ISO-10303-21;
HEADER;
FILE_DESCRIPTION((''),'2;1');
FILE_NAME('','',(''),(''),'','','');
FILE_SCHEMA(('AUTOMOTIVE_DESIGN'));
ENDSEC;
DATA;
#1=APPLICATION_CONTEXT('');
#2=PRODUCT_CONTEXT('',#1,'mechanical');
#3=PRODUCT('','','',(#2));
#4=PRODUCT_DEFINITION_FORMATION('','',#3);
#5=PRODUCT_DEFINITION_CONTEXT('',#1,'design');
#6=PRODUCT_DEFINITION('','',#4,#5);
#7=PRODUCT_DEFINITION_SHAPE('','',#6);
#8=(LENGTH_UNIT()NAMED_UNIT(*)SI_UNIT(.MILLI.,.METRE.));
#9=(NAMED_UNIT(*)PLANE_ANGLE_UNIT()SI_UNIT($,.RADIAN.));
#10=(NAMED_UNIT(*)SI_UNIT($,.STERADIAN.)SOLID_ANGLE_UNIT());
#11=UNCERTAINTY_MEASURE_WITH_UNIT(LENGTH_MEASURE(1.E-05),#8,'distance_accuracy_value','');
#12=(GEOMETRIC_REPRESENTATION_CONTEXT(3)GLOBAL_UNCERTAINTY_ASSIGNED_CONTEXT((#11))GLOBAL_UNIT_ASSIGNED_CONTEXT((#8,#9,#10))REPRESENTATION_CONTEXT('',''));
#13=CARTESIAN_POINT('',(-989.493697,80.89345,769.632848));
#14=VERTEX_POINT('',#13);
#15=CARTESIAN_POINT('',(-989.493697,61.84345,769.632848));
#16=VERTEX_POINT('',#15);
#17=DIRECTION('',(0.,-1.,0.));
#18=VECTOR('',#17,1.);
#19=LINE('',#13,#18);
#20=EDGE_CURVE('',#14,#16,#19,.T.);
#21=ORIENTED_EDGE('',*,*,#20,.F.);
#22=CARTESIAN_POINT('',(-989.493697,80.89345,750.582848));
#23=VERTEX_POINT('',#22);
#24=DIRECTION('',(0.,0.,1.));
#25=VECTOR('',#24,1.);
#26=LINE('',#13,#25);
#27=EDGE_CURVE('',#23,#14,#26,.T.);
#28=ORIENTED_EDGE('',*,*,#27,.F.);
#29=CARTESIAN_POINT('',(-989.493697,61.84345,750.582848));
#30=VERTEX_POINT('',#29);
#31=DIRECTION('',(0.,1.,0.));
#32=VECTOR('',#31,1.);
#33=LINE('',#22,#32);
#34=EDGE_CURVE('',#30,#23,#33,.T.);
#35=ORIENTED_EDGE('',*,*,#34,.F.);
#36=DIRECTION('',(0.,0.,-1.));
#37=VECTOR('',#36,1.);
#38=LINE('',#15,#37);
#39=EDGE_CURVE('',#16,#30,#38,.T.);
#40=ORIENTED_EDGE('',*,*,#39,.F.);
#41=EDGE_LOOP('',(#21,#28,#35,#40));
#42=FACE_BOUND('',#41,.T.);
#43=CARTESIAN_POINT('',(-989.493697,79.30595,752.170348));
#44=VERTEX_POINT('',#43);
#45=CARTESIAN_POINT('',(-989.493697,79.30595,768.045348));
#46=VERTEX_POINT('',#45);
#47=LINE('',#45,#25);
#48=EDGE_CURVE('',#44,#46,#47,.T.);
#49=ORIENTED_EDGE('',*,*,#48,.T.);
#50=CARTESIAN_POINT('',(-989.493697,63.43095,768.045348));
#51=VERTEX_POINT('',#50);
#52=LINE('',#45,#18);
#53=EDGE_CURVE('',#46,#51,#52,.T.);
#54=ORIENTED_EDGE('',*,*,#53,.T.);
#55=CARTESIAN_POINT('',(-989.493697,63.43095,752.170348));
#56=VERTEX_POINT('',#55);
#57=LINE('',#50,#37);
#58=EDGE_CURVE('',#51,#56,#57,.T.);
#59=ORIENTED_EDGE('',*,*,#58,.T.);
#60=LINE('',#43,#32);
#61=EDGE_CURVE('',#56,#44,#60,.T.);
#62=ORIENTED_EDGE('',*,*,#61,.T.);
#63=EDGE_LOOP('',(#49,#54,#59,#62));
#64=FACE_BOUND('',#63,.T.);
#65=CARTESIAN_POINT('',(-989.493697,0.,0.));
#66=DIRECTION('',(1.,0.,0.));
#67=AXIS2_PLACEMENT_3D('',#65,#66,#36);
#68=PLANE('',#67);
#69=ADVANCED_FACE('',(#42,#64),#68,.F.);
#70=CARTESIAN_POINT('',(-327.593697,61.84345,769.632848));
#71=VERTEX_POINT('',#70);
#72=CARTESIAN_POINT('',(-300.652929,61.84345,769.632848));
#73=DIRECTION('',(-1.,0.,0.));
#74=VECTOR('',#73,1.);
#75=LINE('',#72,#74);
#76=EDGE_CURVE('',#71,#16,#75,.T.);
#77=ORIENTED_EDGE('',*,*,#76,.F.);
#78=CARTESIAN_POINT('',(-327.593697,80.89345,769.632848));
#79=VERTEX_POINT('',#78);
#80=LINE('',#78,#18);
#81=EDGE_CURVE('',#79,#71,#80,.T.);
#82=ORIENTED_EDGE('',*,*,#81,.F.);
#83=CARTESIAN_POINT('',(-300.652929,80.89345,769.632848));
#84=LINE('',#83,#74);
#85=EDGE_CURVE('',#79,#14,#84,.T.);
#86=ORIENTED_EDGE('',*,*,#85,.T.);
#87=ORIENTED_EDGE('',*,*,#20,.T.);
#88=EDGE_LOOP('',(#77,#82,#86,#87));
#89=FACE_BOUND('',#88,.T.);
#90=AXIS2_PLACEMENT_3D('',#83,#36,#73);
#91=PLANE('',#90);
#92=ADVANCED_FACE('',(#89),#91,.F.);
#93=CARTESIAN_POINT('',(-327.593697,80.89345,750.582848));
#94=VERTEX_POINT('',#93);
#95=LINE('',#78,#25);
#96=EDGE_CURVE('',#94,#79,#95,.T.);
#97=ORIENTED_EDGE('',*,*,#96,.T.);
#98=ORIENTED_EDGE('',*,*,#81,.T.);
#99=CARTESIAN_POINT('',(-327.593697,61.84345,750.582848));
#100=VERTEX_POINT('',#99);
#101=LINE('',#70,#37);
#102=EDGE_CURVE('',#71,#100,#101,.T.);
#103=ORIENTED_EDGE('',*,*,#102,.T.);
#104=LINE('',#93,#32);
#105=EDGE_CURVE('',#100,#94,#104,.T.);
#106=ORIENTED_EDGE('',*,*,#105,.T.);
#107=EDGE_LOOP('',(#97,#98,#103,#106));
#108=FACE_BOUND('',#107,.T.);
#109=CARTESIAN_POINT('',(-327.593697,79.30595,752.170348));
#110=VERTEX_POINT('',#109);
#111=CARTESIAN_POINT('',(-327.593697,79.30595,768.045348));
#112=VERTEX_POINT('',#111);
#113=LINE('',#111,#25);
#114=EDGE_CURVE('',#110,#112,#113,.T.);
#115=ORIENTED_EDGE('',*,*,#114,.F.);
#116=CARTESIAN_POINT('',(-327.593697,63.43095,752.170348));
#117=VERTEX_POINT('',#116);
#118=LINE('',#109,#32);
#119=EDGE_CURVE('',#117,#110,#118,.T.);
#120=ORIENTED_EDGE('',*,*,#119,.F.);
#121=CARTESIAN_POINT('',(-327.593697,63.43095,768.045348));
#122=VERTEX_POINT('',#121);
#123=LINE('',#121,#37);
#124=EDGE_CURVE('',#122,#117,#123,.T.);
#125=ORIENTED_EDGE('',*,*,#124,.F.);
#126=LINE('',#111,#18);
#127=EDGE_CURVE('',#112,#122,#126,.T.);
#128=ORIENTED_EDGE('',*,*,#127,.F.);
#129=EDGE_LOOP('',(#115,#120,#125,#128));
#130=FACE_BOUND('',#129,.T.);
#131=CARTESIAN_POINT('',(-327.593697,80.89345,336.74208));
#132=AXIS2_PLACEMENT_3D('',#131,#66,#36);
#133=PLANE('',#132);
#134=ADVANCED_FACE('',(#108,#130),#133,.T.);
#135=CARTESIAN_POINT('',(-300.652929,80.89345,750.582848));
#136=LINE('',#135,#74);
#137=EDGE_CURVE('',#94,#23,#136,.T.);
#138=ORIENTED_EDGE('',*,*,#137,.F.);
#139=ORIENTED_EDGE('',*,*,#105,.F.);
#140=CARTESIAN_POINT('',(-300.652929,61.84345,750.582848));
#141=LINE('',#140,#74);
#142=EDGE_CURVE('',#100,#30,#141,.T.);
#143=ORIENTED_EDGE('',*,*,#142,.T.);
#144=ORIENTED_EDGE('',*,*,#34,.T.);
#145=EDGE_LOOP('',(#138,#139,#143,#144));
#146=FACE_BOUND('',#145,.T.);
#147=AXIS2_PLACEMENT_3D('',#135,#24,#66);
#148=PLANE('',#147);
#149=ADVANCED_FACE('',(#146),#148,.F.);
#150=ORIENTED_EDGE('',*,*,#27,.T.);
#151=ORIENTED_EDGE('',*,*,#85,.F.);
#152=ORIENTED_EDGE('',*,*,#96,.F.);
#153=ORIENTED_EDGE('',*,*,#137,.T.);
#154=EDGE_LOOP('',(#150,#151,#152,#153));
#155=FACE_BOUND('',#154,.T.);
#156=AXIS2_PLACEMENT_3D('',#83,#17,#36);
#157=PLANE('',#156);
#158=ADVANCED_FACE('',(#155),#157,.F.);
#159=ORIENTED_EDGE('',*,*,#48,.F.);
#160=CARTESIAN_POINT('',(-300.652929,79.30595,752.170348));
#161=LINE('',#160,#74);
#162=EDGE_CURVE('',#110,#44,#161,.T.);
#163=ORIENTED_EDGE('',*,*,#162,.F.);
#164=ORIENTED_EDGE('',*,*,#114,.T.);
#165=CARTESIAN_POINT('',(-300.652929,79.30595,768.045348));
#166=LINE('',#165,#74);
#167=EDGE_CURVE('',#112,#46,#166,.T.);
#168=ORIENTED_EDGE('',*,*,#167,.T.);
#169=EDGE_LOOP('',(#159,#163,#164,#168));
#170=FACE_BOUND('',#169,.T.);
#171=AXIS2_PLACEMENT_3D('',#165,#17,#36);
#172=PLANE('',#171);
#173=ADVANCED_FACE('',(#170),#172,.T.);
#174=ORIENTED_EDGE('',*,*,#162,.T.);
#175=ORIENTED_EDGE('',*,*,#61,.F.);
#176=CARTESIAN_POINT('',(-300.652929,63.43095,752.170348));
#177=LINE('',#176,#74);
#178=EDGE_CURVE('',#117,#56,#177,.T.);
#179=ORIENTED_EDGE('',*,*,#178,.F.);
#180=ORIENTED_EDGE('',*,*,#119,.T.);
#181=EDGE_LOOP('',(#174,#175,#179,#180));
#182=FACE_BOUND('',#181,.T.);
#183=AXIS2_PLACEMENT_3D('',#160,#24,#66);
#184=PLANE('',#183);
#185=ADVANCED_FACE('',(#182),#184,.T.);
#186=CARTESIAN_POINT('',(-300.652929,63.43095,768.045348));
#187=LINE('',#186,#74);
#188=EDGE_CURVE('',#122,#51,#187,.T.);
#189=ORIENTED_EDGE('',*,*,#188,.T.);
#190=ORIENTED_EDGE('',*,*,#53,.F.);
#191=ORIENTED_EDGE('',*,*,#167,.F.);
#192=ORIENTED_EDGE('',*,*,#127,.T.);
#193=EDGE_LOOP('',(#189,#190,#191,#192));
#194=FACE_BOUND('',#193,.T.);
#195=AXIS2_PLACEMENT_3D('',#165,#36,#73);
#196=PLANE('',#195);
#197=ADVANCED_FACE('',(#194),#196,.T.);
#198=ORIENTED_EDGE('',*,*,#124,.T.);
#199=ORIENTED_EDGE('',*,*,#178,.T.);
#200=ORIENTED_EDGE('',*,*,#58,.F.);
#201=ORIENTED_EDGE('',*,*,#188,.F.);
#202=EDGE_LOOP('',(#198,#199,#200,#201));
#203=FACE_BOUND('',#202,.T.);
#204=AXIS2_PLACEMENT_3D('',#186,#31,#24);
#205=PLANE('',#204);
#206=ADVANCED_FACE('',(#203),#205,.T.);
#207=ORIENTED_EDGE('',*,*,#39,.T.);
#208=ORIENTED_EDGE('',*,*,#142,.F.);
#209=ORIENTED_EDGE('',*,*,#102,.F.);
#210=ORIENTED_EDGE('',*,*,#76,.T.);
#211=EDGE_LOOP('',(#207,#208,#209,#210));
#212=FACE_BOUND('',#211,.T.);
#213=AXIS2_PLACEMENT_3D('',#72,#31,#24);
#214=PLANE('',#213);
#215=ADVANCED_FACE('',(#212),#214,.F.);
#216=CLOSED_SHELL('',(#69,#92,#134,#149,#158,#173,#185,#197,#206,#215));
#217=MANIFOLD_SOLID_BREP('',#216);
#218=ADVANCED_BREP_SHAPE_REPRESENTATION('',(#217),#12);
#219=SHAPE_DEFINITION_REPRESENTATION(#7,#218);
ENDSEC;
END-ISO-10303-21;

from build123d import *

# Parameters (mm, degrees)
SKETCH1_W           = 19.05
SKETCH1_H           = 19.05
SKETCH1_W_2         = 15.875
SKETCH1_H_2         = 15.875
BOSS_EXTRUDE1_DEPTH = 661.9


with BuildPart() as part:
    # Sketch1 → Boss-Extrude1 (new body)
    with BuildSketch(Plane(origin=(-989.493696964, 0, 0), x_dir=(0, 0, -1), z_dir=(1, 0, 0))):
        with Locations((-760.107848365, 71.368450435)):
            Rectangle(SKETCH1_W, SKETCH1_H)
        with Locations((-760.107848365, 71.368450435)):
            Rectangle(SKETCH1_W_2, SKETCH1_H_2, mode=Mode.SUBTRACT)
    extrude(amount=BOSS_EXTRUDE1_DEPTH)


solid = part.part
